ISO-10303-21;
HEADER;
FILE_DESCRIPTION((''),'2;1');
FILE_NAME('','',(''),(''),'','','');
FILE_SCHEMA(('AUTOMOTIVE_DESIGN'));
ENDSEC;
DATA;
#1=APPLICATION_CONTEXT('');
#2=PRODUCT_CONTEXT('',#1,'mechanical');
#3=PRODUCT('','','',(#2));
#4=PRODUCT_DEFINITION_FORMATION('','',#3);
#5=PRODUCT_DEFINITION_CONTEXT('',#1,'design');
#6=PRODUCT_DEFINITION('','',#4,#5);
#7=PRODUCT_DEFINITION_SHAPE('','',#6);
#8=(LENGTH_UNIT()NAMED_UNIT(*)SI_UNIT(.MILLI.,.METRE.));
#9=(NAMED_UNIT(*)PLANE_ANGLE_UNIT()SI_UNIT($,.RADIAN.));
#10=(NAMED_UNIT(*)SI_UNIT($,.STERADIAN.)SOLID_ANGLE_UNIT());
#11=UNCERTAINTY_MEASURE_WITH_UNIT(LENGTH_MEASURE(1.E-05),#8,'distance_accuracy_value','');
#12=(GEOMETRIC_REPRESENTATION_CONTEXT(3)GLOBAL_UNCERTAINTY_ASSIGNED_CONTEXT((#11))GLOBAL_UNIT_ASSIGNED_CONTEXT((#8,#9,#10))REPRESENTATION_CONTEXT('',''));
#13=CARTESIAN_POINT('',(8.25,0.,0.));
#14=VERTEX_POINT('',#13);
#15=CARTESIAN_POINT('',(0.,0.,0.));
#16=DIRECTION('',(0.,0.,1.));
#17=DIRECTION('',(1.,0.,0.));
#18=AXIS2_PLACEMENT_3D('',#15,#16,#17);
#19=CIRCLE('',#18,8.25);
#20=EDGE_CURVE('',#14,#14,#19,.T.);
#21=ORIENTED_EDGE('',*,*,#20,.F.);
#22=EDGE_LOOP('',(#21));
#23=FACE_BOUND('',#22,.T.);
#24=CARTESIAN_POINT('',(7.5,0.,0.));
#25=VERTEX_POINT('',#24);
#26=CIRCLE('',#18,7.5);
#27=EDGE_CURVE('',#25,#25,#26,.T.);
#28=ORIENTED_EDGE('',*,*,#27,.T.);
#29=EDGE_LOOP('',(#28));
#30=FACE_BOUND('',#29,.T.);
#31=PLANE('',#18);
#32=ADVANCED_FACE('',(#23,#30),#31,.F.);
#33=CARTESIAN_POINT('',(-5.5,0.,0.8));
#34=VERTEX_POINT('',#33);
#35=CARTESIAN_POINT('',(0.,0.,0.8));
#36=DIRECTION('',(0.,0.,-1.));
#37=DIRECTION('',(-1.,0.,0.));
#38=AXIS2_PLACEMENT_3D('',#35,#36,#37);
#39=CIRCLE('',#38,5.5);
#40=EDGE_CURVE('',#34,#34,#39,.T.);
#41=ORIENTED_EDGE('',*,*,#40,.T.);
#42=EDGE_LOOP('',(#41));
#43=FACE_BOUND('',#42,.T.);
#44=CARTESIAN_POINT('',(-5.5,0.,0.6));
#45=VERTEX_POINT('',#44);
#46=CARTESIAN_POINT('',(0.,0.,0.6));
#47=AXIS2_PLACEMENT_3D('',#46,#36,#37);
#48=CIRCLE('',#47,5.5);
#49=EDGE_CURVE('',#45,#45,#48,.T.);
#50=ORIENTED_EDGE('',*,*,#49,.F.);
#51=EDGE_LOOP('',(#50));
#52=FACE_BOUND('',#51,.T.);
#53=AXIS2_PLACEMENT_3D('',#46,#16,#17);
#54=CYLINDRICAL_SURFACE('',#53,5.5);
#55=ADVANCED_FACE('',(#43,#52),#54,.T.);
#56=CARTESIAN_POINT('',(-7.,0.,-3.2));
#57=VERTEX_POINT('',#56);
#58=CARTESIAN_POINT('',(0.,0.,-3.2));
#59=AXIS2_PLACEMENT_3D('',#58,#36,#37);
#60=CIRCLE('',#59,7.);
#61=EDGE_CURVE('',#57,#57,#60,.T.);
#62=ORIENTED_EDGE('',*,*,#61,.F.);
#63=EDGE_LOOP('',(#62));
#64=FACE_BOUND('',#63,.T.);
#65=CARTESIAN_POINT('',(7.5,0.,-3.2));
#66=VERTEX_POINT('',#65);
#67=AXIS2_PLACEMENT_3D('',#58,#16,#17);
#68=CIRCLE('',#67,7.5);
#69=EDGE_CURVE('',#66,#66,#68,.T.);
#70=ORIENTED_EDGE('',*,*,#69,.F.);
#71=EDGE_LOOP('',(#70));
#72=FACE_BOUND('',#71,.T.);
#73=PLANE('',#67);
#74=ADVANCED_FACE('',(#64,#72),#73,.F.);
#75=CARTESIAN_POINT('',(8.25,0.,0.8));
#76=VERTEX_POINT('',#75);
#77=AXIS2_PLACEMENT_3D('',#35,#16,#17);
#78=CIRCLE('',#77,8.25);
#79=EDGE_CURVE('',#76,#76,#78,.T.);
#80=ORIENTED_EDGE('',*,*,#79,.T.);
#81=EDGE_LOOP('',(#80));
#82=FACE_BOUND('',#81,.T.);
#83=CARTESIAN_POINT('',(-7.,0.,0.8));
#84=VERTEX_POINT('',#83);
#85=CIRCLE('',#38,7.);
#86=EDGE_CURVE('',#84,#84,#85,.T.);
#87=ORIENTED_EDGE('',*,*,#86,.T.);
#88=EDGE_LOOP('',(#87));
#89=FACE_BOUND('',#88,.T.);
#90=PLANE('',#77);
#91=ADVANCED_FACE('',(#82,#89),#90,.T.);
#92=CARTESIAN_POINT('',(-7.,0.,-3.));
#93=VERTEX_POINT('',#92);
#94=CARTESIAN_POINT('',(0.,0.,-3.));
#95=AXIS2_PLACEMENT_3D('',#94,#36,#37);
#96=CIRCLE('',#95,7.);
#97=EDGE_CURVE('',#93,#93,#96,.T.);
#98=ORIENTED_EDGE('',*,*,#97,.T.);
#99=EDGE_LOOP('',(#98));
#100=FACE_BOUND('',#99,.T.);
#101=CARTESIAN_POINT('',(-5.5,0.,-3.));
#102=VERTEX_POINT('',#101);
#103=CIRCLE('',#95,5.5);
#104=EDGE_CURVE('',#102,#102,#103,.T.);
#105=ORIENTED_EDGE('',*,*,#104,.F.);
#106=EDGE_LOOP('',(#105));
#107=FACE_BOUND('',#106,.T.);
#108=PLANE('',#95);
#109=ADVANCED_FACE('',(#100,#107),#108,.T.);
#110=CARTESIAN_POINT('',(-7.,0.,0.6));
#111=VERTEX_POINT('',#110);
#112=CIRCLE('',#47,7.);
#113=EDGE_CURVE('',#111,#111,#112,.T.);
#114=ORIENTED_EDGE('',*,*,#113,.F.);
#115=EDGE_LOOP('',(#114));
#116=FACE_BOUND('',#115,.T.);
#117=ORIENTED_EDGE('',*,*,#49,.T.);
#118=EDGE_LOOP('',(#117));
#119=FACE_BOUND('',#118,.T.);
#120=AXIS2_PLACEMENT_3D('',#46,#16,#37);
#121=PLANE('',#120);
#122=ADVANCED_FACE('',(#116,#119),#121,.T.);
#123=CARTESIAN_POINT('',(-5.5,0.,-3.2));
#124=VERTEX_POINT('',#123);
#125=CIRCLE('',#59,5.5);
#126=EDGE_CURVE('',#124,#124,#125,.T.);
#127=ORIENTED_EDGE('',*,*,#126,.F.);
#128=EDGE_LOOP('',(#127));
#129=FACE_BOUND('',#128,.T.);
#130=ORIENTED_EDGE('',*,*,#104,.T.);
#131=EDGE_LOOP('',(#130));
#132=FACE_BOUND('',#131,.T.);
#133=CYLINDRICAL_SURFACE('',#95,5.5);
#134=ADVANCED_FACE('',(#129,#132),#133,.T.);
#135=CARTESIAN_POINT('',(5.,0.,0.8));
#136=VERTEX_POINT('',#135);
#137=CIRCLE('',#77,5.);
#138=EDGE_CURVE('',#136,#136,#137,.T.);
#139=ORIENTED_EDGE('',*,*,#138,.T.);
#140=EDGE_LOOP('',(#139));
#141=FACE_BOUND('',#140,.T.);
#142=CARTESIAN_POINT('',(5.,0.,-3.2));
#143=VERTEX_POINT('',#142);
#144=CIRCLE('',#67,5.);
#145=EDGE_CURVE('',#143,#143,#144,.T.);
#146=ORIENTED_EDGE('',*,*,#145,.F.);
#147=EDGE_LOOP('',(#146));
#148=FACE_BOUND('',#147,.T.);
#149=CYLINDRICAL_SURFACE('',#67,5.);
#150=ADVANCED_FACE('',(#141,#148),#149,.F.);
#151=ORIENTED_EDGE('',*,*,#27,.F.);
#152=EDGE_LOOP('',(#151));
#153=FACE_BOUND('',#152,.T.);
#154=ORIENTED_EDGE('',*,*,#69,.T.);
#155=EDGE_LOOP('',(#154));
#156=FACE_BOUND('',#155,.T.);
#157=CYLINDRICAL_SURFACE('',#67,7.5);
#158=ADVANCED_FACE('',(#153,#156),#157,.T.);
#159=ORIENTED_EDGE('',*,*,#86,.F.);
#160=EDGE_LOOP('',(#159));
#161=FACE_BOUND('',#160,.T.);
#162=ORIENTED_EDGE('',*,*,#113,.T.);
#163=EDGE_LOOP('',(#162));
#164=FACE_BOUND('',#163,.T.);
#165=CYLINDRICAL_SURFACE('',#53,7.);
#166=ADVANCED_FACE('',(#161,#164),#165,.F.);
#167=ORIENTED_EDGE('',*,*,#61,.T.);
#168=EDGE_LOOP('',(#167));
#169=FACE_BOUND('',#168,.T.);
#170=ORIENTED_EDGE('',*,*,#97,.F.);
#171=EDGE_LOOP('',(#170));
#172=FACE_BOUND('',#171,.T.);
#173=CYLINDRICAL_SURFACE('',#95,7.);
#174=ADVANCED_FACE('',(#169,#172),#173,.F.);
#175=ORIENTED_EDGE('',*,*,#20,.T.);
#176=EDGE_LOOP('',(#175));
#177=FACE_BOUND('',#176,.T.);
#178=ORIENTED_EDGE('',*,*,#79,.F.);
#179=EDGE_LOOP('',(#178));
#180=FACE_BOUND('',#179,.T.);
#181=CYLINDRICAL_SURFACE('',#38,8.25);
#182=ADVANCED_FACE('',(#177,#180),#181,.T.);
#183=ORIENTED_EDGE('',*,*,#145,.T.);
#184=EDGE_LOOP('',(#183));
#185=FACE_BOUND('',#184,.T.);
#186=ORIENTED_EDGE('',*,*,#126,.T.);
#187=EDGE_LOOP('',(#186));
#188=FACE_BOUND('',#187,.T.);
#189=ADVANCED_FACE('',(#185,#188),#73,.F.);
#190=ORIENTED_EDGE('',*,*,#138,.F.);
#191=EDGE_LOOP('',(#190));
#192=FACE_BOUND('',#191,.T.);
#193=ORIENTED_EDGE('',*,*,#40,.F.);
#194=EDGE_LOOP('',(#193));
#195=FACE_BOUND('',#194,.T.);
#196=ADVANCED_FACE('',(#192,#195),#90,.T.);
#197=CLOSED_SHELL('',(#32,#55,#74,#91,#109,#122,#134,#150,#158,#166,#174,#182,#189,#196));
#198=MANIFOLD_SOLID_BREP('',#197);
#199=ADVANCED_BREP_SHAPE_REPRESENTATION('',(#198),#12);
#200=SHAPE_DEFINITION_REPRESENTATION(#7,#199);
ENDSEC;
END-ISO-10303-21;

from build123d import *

# Parameters (mm, degrees)
SKETCH_1_R          = 8.25
SKETCH_1_R_2        = 7.5
EXTRUDE_1_DEPTH     = 0.8
EXTRUDE_START       = -4
SKETCH_2_R          = 7.5
SKETCH_2_R_2        = 5
EXTRUDE_2_DEPTH     = 4
SKETCH_3_R          = 7
SKETCH_3_R_2        = 5.5
CUT_EXTRUDE_1_DEPTH = 0.2


with BuildPart() as part:
    # 草图1 → 凸台-拉伸1 (new body)
    with BuildSketch(Plane.XY):
        Circle(SKETCH_1_R)
        Circle(SKETCH_1_R_2, mode=Mode.SUBTRACT)
    extrude(amount=EXTRUDE_1_DEPTH)

    # 草图2 → 凸台-拉伸2 (add)
    with BuildSketch(Plane.XY.offset(0.8).offset(EXTRUDE_START)):
        Circle(SKETCH_2_R)
        Circle(SKETCH_2_R_2, mode=Mode.SUBTRACT)
    extrude(amount=EXTRUDE_2_DEPTH)

    # 草图3 → 切除-拉伸1 (cut)
    with BuildSketch(Plane(origin=(0, 0, -3.2), x_dir=(-1, 0, 0), z_dir=(0, 0, -1))):
        Circle(SKETCH_3_R)
        Circle(SKETCH_3_R_2, mode=Mode.SUBTRACT)
    cut_extrude_1 = extrude(amount=-CUT_EXTRUDE_1_DEPTH, mode=Mode.SUBTRACT)

    # 镜向1: 切除-拉伸1 across plane
    add(cut_extrude_1.mirror(Plane(origin=(0, 0, -1.2), x_dir=(1, 0, 0), z_dir=(0, 0, -1))), mode=Mode.SUBTRACT)


solid = part.part
